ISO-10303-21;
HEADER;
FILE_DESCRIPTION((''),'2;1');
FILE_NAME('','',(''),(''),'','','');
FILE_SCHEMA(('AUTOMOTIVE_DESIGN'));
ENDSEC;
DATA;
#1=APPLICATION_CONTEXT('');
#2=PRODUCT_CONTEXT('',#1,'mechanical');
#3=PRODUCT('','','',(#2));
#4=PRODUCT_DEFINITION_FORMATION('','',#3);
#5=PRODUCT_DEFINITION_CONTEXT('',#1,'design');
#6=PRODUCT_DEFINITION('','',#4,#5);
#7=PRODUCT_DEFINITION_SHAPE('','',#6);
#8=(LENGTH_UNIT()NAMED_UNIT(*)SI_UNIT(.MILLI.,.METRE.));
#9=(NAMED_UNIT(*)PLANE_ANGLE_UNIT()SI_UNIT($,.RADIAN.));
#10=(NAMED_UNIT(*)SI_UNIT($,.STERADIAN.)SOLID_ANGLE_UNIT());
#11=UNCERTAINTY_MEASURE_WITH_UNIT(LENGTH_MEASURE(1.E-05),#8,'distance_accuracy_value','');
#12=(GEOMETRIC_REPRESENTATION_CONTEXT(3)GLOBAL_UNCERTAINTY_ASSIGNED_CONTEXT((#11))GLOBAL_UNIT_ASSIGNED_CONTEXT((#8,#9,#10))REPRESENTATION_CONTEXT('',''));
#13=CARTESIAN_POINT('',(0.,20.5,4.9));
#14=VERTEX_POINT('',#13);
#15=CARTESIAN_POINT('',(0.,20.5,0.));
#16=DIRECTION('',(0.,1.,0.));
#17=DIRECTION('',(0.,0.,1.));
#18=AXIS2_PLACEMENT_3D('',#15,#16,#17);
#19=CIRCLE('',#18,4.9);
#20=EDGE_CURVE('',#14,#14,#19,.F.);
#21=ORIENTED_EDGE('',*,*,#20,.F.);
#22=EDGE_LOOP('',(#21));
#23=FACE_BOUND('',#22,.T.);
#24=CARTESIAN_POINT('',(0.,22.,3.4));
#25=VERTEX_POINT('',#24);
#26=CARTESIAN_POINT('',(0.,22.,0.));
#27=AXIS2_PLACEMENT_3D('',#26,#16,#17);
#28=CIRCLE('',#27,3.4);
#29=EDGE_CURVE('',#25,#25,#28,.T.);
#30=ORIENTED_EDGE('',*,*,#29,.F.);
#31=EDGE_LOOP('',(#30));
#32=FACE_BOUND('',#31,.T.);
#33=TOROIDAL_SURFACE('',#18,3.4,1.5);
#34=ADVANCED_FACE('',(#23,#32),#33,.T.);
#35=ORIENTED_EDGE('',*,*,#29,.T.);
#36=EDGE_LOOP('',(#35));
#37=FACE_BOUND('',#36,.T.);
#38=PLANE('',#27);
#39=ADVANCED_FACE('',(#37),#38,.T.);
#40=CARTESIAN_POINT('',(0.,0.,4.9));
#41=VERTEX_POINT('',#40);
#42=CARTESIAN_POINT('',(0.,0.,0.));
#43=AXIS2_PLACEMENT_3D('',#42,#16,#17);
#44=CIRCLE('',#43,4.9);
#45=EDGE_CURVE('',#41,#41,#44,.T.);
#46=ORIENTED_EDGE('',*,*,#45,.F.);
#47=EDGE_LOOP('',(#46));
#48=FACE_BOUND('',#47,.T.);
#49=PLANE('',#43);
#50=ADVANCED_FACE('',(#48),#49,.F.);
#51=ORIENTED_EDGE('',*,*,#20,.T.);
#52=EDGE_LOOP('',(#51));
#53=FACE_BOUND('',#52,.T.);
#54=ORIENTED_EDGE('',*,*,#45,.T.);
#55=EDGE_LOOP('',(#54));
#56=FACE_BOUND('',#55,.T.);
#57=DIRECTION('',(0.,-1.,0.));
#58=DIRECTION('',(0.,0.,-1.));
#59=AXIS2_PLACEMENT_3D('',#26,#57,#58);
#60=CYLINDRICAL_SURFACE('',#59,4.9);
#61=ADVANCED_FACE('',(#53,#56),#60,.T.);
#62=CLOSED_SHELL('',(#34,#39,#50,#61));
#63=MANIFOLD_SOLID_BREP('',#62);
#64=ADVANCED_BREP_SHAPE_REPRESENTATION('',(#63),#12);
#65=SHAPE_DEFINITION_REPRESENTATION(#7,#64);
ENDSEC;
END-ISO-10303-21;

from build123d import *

# Parameters (mm, degrees)
SKETCH1_R           = 4.9
BOSS_EXTRUDE1_DEPTH = 22
FILLET1_R           = 1.5


with BuildPart() as part:
    # Sketch1 → Boss-Extrude1 (new body)
    with BuildSketch(Plane(origin=(0, 0, 0), x_dir=(1, 0, 0), z_dir=(0, 1, 0))):
        Circle(SKETCH1_R)
    extrude(amount=BOSS_EXTRUDE1_DEPTH)

    # Fillet1
    fillet1_edges = [part.edges().sort_by_distance(p)[0] for p in [
        (-4.9, 22, 0),
    ]]
    fillet(fillet1_edges, radius=FILLET1_R)


solid = part.part
